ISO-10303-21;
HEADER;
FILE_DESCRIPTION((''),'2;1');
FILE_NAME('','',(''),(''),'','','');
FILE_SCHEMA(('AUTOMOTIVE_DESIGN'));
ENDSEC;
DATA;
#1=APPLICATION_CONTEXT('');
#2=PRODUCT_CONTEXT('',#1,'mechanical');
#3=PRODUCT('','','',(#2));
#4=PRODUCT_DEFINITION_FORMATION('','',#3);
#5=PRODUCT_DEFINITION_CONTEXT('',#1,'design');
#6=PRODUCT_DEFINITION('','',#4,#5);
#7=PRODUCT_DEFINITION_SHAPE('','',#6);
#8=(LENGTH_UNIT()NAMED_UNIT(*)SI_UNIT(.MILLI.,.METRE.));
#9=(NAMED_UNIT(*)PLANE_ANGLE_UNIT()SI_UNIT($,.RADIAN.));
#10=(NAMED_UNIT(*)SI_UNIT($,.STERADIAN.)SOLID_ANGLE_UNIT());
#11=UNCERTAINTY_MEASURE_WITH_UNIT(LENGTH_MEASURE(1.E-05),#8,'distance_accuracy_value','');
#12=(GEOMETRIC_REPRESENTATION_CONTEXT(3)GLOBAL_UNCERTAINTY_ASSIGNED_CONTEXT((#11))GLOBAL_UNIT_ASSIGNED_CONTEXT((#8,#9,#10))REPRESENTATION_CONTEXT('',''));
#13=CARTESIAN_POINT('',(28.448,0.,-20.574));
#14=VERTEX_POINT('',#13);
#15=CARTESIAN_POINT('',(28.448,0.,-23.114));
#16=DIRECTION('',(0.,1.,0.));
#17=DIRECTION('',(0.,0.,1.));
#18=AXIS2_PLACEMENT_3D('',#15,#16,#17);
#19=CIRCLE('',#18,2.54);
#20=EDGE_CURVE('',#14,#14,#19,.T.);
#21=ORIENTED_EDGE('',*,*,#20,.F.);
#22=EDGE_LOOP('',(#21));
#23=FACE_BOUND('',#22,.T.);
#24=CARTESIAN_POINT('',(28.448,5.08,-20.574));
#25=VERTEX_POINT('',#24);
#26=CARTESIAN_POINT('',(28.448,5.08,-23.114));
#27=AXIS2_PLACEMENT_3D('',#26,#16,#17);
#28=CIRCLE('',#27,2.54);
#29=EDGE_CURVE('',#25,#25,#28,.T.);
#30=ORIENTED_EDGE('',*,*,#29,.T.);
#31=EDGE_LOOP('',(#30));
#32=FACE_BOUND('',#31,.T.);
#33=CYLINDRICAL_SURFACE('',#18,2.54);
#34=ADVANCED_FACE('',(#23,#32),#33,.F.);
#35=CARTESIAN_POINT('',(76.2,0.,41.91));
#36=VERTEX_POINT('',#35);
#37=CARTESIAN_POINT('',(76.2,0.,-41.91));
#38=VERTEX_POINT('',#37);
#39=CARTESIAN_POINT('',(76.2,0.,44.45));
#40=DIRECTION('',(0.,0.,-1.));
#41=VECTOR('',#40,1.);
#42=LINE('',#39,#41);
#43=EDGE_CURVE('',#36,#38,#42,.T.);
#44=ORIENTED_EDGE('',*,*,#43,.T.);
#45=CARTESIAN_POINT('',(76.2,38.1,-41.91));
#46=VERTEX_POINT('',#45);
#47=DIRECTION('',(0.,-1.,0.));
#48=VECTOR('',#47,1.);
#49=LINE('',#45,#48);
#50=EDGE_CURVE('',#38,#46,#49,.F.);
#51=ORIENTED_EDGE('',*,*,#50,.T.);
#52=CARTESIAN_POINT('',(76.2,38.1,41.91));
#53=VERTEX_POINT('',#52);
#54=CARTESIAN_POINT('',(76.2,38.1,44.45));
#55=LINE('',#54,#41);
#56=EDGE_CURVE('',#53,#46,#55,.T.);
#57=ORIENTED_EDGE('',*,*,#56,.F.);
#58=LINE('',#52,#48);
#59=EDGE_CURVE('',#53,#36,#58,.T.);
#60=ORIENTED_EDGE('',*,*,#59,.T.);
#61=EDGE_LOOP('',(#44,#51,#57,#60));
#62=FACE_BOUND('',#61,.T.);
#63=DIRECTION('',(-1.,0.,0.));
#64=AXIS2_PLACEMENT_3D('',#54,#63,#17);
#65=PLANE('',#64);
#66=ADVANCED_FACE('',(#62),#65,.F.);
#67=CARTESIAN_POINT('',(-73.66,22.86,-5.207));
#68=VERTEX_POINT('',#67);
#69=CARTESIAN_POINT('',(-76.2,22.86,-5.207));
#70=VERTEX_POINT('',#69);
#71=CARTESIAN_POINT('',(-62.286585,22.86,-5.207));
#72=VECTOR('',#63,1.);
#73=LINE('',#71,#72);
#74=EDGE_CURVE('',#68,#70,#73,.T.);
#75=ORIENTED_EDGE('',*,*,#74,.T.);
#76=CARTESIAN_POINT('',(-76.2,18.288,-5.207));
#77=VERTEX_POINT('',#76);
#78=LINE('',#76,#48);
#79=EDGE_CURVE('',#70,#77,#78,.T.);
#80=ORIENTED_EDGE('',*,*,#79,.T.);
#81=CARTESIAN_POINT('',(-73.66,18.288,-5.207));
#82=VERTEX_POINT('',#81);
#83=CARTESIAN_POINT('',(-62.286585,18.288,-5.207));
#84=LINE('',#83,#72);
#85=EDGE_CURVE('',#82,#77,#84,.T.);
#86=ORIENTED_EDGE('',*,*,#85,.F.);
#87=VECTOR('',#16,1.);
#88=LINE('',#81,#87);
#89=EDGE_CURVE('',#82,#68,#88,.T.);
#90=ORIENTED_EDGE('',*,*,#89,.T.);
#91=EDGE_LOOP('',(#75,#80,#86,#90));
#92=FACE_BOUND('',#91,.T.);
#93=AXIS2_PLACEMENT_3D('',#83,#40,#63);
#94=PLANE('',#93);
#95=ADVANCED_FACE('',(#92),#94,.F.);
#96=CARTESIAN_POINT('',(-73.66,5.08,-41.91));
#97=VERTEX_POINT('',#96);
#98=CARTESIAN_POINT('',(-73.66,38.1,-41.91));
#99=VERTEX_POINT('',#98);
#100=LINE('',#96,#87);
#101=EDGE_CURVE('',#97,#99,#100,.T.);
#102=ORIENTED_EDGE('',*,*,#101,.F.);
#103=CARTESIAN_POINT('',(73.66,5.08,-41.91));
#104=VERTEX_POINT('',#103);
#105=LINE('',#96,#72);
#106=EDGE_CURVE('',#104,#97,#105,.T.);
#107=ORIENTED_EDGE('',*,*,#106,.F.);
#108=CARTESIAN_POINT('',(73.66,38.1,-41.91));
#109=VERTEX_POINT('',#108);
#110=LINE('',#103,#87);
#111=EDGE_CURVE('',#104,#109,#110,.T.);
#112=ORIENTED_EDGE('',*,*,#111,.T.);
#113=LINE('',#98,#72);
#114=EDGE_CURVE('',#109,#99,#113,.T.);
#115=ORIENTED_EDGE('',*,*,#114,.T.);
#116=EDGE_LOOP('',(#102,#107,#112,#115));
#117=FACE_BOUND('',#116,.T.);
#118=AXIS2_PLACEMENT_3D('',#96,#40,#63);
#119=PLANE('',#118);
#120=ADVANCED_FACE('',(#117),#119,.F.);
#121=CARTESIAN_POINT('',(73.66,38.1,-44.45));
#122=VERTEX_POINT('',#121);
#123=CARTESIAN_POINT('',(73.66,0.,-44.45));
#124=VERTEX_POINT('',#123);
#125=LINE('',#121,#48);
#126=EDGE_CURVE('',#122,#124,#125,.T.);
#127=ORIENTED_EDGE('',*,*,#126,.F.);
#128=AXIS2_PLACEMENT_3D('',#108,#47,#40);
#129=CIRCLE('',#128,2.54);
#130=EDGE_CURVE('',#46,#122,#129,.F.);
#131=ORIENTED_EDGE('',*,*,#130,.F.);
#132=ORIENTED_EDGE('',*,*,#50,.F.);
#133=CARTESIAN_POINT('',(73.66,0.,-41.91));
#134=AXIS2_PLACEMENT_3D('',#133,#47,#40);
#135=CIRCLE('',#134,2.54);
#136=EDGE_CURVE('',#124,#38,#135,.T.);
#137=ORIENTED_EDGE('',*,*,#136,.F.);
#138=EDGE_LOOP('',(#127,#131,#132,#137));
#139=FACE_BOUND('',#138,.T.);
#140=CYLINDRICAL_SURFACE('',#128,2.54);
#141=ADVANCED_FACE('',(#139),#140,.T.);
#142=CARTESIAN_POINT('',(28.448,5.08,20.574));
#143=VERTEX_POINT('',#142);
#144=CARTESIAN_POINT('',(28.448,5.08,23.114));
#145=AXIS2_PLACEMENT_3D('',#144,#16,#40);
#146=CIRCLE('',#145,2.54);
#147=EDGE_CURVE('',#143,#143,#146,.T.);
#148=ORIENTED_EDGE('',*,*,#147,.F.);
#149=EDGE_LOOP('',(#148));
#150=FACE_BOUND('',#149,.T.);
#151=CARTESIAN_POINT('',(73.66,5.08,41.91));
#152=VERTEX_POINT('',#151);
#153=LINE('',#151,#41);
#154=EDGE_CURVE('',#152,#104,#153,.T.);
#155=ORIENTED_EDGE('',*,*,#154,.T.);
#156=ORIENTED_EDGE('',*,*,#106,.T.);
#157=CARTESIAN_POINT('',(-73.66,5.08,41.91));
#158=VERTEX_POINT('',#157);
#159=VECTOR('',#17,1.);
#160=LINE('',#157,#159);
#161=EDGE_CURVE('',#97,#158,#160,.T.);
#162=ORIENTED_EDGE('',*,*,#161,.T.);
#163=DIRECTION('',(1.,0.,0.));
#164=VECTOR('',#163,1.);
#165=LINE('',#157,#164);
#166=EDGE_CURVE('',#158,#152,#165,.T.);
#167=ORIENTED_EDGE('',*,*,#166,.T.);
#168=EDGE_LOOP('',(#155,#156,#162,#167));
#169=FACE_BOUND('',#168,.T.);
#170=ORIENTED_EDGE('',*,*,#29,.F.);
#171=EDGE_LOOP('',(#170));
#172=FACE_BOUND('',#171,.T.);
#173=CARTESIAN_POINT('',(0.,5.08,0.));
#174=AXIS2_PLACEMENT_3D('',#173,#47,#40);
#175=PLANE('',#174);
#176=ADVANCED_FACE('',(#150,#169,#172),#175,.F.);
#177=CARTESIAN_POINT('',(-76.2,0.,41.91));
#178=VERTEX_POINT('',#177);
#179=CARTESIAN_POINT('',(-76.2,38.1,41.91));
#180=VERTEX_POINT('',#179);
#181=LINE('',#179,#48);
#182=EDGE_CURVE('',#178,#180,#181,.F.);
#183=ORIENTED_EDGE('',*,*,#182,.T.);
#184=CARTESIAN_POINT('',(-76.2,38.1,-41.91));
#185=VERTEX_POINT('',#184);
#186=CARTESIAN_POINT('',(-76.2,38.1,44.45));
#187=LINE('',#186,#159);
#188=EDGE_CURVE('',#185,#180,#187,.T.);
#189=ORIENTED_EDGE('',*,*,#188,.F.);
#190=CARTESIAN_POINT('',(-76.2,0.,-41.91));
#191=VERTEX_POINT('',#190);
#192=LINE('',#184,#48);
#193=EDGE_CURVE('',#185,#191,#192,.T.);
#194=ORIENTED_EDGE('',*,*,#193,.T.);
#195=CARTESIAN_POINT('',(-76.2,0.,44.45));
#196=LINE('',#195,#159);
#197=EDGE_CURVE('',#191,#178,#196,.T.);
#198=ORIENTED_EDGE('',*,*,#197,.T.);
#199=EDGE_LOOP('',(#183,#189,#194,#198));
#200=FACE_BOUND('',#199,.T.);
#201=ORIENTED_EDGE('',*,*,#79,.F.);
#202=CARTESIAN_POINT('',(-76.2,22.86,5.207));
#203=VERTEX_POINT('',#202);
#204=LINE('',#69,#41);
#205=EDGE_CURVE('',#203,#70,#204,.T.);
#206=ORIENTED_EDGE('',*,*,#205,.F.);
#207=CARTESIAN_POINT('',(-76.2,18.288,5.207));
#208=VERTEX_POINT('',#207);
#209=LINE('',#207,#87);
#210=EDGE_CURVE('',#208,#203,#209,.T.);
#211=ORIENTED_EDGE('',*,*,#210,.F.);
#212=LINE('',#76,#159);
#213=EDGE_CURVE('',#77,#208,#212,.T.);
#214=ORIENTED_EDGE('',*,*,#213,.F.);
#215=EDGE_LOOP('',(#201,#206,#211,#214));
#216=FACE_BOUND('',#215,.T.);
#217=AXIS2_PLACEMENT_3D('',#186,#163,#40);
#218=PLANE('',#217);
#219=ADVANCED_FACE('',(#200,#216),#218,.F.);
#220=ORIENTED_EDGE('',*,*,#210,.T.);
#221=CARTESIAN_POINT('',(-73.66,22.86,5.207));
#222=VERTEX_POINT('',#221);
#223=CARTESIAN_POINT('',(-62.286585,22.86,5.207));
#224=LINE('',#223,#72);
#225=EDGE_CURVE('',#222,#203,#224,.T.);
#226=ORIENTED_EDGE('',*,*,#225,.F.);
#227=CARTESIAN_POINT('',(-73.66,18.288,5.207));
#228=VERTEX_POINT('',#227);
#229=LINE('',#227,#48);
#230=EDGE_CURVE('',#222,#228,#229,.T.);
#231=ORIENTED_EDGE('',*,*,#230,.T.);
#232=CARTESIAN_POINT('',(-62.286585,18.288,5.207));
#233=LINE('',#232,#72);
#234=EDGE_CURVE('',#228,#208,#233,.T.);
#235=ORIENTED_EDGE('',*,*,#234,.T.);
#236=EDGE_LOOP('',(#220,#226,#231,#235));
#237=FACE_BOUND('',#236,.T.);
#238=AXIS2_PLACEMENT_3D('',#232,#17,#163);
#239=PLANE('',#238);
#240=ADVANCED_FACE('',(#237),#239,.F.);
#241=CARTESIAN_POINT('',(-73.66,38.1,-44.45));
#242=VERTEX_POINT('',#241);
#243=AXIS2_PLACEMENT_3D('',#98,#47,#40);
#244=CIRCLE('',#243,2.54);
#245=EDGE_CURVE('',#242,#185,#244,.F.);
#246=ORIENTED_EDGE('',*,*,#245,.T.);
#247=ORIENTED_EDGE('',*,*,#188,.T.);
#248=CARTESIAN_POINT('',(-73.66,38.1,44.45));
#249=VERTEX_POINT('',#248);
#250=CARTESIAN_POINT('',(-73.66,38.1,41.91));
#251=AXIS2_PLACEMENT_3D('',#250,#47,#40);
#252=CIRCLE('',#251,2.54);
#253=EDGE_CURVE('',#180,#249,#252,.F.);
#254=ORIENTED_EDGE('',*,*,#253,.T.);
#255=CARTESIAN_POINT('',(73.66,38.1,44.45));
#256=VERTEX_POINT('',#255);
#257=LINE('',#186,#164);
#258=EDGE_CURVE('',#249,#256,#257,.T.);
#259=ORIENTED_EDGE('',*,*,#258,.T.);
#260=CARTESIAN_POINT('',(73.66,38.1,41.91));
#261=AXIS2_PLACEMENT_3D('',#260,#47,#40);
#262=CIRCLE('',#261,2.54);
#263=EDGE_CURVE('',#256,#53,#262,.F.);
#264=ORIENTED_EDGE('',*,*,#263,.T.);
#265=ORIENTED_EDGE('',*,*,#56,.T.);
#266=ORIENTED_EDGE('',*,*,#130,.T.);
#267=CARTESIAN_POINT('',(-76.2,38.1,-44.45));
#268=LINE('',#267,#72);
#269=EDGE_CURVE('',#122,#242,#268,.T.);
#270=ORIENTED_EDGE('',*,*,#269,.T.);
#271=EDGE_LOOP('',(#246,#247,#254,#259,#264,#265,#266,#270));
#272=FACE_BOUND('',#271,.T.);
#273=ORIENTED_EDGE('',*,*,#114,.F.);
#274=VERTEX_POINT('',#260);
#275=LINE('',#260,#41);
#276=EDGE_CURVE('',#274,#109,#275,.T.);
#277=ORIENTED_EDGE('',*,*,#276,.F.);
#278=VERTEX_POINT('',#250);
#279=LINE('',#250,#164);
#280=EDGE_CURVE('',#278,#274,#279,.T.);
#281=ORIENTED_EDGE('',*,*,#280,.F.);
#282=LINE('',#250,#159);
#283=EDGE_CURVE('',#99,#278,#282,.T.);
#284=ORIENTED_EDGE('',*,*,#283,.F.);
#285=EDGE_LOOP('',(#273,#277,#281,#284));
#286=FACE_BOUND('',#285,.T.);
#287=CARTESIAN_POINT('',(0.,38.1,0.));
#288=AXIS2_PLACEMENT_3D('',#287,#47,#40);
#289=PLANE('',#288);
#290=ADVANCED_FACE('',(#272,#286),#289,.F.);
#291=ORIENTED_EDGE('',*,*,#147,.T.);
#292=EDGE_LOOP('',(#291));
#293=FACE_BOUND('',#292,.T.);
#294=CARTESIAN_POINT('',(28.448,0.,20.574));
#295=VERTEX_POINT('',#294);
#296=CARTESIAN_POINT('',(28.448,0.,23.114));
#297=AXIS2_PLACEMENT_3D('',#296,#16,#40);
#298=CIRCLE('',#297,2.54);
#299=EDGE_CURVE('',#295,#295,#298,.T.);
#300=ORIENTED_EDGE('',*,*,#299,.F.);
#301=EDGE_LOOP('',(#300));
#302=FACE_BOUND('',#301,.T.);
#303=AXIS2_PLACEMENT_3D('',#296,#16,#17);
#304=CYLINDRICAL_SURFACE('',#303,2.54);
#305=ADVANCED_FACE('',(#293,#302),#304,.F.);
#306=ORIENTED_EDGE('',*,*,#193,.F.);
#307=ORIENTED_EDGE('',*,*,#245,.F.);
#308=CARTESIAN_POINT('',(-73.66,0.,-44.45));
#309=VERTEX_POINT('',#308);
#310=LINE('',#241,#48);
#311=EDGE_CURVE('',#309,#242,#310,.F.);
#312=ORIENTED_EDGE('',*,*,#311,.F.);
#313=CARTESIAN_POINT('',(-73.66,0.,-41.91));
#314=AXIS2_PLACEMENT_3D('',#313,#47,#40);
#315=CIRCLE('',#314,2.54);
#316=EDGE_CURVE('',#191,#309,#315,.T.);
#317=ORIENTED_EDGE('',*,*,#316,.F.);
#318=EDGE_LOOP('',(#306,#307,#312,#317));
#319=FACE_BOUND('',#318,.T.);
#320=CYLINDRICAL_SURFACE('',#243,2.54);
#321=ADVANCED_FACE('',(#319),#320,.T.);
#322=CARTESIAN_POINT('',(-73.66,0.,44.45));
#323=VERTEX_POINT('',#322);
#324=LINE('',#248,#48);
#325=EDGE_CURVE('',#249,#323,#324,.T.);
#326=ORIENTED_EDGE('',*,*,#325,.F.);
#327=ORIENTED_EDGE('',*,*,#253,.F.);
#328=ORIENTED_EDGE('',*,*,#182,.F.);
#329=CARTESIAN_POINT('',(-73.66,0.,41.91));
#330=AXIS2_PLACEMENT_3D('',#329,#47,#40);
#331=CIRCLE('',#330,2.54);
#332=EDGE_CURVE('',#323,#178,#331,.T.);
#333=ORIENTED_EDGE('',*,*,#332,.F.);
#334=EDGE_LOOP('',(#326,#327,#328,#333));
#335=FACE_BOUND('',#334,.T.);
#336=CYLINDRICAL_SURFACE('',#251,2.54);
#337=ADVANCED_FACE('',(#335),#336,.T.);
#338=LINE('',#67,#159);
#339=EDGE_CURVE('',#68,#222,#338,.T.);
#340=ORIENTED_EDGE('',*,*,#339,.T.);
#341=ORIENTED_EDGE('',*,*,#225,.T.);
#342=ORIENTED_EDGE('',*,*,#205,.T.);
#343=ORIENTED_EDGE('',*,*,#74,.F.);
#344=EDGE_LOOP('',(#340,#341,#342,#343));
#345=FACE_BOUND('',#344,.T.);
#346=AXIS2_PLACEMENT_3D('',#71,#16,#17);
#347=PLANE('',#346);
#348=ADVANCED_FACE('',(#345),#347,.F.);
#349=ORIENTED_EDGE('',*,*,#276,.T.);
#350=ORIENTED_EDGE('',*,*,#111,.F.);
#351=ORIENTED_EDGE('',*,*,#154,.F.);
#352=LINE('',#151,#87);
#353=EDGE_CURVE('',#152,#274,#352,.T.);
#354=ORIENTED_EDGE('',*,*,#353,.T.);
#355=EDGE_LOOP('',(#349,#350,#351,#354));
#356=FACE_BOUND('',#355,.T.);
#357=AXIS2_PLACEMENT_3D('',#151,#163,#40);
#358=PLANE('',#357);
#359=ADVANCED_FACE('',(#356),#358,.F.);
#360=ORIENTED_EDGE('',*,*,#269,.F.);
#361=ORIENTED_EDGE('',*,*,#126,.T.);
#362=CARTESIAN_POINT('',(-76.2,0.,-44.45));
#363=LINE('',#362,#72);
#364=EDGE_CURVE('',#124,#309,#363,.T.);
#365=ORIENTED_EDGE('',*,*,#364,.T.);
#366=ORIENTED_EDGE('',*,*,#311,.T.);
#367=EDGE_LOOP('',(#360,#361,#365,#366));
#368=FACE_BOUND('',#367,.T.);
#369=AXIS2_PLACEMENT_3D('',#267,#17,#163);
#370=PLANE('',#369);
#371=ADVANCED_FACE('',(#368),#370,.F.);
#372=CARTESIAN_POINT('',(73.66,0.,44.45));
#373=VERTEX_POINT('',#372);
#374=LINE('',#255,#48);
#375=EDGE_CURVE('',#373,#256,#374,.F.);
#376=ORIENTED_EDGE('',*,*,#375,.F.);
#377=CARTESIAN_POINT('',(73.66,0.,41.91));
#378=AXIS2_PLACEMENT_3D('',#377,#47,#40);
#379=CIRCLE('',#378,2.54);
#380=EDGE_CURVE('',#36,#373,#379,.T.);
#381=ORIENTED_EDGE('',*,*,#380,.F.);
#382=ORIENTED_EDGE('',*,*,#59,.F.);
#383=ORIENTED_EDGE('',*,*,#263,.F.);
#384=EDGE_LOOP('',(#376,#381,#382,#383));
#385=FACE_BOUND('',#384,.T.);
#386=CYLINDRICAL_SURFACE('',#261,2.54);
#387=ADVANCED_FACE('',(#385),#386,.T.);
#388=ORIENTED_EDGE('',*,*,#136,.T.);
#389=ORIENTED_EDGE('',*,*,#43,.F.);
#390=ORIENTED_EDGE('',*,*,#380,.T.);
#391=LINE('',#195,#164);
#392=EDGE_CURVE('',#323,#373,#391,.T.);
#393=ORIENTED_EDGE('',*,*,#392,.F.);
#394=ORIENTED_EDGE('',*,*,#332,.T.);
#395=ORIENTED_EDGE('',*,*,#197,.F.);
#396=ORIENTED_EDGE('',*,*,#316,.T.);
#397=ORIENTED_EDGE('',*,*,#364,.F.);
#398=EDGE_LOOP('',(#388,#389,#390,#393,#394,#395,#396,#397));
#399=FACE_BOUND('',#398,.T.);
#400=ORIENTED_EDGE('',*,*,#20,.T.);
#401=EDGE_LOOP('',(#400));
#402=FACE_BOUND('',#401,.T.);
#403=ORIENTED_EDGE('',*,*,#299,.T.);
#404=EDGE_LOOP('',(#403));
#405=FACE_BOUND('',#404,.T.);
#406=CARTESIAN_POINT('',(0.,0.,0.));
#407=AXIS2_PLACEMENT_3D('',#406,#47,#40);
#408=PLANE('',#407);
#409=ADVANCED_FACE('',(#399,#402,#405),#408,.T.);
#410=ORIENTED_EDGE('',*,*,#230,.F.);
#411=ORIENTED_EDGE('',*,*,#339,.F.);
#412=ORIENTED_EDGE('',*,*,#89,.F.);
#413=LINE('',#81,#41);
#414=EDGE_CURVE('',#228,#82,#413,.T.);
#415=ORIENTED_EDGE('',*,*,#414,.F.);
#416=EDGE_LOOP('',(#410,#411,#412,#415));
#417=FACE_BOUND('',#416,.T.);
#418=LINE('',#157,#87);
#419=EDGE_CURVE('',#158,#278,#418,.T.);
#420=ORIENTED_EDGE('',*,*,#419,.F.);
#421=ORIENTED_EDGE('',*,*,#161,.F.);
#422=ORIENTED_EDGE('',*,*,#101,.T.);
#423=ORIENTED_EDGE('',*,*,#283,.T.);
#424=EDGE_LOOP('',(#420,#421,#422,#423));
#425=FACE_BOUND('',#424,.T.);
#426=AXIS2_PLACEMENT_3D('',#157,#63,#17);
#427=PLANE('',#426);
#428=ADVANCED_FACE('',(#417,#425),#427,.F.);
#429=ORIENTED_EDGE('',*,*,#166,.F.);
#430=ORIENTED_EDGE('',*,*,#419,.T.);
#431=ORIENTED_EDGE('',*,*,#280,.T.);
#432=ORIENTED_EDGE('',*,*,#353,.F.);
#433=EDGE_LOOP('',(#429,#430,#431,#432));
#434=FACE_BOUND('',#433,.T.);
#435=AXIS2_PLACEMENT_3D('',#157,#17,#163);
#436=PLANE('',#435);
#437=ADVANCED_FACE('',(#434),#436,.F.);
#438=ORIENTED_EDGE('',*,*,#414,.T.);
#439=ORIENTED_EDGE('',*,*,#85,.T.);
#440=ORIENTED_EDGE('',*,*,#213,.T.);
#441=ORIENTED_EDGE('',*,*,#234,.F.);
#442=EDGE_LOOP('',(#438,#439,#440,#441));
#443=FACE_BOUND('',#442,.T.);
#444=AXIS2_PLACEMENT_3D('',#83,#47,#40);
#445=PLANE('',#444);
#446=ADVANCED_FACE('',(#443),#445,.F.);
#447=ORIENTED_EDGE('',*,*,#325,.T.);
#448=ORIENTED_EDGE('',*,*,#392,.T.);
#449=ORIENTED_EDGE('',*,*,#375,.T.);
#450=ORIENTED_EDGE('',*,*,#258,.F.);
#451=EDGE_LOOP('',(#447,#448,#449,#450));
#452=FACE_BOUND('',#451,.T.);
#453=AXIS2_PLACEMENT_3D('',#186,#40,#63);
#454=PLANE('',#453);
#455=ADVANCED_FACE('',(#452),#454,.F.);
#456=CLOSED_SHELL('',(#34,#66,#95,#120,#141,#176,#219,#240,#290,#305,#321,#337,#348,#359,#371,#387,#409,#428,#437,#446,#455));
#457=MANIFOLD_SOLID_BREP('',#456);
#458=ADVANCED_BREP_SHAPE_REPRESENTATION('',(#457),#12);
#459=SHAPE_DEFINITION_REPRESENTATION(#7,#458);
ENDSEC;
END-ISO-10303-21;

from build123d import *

# Parameters (mm, degrees)
SKETCH1_W           = 152.4
SKETCH1_H           = 88.9
BOSS_EXTRUDE1_DEPTH = 38.1
SKETCH2_W           = 147.32
SKETCH2_H           = 83.82
CUT_EXTRUDE1_DEPTH  = 33.02
SKETCH5_W           = 10.414
SKETCH5_H           = 4.572
CUT_EXTRUDE3_DEPTH  = 2.54
FILLET1_R           = 2.54
SKETCH6_R           = 2.54
CUT_EXTRUDE4_DEPTH  = 95.194282735


with BuildPart() as part:
    # Sketch1 → Boss-Extrude1 (new body)
    with BuildSketch(Plane(origin=(0, 0, 0), x_dir=(1, 0, 0), z_dir=(0, 1, 0))):
        Rectangle(SKETCH1_W, SKETCH1_H)
    extrude(amount=BOSS_EXTRUDE1_DEPTH)

    # Sketch2 → Cut-Extrude1 (cut)
    with BuildSketch(Plane(origin=(0, 38.1, 0), x_dir=(1, 0, 0), z_dir=(0, 1, 0))):
        Rectangle(SKETCH2_W, SKETCH2_H)
    extrude(amount=-CUT_EXTRUDE1_DEPTH, mode=Mode.SUBTRACT)

    # Sketch5 → Cut-Extrude3 (cut)
    with BuildSketch(Plane.ZY.offset(76.2)):
        with Locations((0, 20.574)):
            Rectangle(SKETCH5_W, SKETCH5_H)
    extrude(amount=-CUT_EXTRUDE3_DEPTH, mode=Mode.SUBTRACT)

    # Fillet1
    fillet1_edges = [part.edges().sort_by_distance(p)[0] for p in [
        (76.2, 19.05, 44.45),
        (-76.2, 19.05, 44.45),
        (-76.2, 19.05, -44.45),
        (76.2, 19.05, -44.45),
    ]]
    fillet(fillet1_edges, radius=FILLET1_R)

    # Sketch6 → Cut-Extrude4 (cut, through all)
    with BuildSketch(Plane(origin=(0, 5.08, 0), x_dir=(1, 0, 0), z_dir=(0, 1, 0))):
        with Locations(Location((28.448, 23.114, 0), (0, 0, 270))):
            Circle(SKETCH6_R)
        with Locations(Location((28.448, -23.114, 0), (0, 0, 90))):
            Circle(SKETCH6_R)
    extrude(amount=-CUT_EXTRUDE4_DEPTH, mode=Mode.SUBTRACT)


solid = part.part
